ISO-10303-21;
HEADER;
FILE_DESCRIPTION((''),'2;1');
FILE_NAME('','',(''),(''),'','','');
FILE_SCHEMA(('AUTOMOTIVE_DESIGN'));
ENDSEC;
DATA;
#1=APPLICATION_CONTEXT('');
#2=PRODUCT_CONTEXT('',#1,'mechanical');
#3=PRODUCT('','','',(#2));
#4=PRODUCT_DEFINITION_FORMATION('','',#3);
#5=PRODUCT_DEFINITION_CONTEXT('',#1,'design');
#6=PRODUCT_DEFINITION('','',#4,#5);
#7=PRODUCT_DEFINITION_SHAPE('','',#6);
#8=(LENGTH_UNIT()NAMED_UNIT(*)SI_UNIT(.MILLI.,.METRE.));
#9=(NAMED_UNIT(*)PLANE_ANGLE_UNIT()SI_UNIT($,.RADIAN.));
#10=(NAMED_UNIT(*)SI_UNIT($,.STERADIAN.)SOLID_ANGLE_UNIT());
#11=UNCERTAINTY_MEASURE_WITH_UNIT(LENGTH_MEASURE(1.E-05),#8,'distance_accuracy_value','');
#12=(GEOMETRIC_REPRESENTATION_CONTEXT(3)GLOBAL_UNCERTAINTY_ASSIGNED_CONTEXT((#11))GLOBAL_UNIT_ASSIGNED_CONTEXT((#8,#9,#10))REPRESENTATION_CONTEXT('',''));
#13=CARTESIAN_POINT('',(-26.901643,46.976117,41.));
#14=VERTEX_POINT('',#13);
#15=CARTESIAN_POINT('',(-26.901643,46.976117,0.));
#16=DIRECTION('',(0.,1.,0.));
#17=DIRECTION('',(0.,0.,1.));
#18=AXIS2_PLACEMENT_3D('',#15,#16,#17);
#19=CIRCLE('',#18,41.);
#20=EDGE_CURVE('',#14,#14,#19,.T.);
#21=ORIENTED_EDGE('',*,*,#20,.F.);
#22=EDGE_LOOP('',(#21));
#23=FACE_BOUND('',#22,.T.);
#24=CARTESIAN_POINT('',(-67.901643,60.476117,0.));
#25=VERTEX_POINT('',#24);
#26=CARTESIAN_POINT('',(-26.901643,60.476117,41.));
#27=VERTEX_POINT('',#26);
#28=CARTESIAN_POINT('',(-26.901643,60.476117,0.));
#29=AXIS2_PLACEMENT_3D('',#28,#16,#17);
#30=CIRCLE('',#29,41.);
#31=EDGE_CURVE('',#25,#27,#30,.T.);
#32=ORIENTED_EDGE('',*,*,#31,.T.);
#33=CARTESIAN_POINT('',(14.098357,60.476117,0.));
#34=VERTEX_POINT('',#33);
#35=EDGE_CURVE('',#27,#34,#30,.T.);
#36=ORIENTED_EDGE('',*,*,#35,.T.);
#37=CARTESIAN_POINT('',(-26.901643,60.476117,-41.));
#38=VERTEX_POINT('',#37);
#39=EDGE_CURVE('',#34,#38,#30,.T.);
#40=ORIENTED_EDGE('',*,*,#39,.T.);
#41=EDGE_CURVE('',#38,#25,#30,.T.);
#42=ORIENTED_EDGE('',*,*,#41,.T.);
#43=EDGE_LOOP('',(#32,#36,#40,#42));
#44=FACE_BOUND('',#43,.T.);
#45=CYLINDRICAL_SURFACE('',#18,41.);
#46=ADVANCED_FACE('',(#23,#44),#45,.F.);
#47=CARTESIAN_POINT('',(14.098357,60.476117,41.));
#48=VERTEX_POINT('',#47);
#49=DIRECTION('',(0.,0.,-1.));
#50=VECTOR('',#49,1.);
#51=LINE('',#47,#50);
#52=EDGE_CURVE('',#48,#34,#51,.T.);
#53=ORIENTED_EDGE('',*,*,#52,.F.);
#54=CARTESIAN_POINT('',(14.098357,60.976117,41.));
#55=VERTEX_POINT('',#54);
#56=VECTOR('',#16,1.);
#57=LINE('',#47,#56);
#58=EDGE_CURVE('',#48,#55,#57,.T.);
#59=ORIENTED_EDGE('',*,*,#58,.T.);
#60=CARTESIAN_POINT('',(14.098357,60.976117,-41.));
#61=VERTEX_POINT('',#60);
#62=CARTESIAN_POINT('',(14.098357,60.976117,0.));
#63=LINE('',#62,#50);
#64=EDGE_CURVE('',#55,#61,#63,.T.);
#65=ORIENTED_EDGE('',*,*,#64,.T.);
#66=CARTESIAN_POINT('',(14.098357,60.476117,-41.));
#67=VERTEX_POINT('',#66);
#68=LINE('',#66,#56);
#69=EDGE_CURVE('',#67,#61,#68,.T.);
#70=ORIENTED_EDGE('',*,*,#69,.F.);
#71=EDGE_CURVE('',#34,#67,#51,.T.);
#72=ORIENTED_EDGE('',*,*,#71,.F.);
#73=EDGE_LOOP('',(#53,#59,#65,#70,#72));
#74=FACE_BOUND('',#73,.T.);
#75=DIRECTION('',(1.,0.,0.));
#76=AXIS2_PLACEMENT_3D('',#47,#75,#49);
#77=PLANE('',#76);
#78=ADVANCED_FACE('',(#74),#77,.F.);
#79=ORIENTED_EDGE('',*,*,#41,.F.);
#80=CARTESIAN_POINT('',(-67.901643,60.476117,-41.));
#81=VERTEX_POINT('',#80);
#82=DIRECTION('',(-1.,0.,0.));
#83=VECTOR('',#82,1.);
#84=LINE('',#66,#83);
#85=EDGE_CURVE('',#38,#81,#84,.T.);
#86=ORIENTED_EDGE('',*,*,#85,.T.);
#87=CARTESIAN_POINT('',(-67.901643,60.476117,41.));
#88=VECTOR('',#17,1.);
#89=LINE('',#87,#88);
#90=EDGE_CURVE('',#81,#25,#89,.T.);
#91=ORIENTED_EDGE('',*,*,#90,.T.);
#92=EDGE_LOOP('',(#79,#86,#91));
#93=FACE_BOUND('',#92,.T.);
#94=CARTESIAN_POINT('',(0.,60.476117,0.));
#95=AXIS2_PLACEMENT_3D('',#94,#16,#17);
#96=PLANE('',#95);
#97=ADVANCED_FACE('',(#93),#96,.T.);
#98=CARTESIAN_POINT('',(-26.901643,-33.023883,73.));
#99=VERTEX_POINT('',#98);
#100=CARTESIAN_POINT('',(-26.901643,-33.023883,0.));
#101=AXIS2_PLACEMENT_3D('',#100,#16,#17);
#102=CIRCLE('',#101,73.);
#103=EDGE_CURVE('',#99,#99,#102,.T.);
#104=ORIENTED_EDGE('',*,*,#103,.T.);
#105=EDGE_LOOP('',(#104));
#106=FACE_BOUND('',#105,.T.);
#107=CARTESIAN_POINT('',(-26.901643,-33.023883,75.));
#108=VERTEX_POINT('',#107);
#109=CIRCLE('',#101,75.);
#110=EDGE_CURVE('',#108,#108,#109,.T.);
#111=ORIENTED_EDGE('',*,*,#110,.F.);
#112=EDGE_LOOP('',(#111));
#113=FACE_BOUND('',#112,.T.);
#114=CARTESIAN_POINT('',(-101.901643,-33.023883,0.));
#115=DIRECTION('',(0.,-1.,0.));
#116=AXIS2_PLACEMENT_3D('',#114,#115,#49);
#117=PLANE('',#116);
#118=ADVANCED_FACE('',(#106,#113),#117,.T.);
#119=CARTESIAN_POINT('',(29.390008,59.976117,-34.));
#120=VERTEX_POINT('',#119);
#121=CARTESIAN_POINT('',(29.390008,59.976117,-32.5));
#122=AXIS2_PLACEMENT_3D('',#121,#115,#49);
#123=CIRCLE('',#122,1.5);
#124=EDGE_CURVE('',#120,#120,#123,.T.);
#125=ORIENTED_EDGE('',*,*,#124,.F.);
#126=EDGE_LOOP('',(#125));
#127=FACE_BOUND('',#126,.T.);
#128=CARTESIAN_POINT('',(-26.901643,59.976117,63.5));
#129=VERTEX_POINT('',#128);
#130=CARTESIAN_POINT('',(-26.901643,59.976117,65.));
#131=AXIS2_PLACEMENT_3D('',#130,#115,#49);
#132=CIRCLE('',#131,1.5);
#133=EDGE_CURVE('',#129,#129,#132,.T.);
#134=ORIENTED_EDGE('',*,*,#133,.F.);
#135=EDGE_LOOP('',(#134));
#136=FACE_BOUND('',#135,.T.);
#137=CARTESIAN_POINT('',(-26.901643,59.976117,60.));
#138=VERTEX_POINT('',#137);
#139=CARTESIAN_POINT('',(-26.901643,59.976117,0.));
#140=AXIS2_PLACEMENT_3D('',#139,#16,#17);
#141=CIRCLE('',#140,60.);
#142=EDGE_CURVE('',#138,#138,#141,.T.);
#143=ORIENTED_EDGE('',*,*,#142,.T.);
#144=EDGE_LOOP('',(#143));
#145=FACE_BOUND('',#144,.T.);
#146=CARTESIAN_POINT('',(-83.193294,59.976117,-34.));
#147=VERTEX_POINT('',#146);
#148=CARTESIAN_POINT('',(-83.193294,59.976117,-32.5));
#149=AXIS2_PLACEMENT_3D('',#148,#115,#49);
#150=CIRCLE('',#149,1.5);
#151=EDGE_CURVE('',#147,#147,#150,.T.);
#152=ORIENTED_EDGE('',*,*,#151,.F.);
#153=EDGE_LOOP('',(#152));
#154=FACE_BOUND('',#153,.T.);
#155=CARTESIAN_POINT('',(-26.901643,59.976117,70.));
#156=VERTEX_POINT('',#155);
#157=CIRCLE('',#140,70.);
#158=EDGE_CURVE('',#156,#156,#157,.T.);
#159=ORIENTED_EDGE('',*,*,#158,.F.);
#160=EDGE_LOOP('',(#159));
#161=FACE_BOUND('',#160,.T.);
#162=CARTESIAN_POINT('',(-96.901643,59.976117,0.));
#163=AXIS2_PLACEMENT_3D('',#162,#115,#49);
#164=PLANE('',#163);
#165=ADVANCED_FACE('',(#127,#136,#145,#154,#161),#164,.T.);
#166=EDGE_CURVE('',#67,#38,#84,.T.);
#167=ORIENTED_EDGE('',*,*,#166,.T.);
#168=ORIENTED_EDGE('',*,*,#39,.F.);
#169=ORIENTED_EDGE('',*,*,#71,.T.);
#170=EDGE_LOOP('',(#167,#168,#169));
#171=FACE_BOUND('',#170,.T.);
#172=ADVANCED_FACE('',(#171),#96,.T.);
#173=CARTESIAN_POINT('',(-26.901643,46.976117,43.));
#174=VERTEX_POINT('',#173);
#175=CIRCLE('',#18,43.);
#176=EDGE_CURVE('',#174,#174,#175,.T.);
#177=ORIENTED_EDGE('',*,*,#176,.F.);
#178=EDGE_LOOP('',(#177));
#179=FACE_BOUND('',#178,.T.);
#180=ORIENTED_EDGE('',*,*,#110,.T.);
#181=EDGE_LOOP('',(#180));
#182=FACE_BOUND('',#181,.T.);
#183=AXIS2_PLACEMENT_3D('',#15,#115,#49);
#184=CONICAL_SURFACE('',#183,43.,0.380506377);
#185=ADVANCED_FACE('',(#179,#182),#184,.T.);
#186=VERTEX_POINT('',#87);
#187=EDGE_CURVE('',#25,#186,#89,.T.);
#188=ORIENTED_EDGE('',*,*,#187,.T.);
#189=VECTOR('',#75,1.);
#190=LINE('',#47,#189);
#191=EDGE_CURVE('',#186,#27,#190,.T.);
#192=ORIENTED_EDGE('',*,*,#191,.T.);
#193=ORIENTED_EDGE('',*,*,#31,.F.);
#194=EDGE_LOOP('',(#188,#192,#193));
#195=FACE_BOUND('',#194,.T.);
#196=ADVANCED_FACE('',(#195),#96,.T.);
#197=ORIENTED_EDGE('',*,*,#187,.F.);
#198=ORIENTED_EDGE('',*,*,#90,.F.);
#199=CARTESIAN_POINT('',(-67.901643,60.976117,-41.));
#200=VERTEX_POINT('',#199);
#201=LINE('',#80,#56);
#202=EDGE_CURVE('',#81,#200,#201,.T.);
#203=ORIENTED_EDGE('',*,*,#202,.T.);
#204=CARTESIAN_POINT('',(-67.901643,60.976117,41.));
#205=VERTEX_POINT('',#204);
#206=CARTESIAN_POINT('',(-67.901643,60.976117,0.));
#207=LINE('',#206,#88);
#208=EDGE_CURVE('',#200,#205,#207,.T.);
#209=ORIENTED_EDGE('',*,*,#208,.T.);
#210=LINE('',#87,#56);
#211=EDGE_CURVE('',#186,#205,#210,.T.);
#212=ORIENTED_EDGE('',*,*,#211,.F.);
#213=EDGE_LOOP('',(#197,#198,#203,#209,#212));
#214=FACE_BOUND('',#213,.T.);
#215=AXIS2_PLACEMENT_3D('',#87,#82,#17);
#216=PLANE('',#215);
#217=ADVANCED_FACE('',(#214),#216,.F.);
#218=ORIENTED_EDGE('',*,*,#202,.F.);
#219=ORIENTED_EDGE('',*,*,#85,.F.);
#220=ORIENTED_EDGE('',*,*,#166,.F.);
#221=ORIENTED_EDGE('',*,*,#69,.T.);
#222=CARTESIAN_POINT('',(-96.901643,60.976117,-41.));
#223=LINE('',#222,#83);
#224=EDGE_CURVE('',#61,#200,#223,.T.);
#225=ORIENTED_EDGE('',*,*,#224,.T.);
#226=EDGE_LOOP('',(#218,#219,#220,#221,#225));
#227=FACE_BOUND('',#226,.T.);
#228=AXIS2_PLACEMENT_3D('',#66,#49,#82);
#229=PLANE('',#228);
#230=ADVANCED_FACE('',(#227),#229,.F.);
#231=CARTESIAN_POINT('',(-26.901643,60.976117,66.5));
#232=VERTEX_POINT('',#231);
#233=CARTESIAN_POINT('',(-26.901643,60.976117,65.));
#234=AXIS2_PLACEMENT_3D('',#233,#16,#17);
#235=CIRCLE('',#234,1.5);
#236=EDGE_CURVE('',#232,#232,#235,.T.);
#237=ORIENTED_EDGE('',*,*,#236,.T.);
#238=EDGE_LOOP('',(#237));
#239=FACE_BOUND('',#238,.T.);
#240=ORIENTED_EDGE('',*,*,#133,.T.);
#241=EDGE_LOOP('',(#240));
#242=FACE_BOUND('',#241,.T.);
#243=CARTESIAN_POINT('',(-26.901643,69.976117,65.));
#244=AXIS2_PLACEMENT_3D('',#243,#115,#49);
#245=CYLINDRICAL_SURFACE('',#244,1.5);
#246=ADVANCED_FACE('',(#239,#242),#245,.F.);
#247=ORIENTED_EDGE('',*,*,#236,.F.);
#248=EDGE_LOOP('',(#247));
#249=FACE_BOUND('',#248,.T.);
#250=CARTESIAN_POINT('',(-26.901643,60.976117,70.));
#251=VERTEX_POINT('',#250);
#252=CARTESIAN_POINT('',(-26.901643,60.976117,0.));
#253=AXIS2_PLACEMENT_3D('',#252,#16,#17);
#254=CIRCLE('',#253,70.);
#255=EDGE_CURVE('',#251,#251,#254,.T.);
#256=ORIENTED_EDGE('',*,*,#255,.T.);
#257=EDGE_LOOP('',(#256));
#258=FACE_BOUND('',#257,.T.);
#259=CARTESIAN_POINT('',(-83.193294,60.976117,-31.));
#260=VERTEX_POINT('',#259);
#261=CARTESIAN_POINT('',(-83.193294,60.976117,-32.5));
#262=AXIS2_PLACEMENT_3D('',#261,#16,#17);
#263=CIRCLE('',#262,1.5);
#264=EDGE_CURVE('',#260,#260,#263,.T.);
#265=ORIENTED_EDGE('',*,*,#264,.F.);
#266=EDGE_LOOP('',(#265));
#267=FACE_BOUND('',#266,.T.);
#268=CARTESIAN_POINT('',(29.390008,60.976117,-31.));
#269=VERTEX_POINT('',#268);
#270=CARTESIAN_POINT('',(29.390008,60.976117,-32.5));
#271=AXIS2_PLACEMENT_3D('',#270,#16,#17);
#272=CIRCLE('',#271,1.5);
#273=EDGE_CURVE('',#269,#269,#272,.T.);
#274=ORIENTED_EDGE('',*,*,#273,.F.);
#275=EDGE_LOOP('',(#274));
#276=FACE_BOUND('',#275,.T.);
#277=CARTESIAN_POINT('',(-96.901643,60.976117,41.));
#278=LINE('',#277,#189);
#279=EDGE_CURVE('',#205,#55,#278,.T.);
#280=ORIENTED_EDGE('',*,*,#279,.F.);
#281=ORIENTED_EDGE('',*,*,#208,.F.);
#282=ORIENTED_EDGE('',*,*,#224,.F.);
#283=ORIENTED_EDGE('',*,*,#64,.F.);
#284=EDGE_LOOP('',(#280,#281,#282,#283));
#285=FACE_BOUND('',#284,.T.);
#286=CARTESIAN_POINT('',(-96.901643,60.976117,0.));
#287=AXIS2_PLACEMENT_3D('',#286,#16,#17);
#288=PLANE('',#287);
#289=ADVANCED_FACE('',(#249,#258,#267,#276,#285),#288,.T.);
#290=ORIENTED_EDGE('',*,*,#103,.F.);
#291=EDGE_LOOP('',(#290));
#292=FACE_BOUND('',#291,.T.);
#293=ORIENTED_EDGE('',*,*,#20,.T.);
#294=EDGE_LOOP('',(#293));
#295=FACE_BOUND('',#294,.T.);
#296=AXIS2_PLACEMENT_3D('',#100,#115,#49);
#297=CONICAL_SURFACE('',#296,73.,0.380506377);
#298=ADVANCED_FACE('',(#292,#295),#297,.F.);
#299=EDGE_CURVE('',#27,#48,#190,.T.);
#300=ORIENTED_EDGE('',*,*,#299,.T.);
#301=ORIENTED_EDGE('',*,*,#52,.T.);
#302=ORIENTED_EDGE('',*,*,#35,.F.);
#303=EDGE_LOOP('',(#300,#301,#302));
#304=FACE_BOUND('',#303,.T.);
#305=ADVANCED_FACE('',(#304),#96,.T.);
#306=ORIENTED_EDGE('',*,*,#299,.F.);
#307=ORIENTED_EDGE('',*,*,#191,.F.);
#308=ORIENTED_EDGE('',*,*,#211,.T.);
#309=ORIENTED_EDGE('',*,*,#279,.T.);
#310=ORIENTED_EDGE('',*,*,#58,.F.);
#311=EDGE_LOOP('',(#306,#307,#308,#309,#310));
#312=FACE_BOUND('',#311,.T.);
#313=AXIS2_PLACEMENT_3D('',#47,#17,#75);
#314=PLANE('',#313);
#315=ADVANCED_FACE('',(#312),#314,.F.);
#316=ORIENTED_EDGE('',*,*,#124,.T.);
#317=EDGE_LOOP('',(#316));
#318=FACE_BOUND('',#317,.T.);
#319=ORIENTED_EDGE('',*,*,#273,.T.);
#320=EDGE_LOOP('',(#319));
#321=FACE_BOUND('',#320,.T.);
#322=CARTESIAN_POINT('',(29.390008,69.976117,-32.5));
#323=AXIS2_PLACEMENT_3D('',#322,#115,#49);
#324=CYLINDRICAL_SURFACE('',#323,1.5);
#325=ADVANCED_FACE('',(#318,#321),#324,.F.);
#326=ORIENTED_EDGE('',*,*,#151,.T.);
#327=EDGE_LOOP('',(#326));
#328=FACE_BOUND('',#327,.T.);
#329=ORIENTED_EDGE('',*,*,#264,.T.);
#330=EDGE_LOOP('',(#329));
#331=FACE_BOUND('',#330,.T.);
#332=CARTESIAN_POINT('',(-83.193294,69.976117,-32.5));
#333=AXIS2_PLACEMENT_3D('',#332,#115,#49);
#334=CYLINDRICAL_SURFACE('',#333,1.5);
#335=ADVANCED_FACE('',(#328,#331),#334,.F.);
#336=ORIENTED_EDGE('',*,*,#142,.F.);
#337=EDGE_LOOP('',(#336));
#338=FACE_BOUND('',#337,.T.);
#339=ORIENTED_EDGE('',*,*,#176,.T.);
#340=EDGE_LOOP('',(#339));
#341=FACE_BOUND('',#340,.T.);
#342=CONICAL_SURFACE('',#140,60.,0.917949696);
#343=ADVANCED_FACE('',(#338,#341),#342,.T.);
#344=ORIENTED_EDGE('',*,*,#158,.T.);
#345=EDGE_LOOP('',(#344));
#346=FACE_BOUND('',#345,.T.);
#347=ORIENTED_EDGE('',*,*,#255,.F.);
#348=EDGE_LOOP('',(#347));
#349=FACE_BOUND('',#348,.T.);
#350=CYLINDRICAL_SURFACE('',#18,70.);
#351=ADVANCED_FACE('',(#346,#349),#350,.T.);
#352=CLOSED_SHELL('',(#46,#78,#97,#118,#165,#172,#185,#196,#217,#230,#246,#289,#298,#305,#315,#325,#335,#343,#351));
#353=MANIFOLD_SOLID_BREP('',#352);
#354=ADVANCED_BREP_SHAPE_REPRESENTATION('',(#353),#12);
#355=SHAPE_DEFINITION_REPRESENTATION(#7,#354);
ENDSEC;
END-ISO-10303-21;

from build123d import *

# Parameters (mm, degrees)
CROQUIS6_R            = 1.5
CORTAR_EXTRUIR9_DEPTH = 10
CROQUIS2_W            = 82
CROQUIS2_H            = 82
CORTAR_EXTRUIR1_DEPTH = 11.5
CROQUIS4_W            = 14
CROQUIS4_H            = 8.5
CORTAR_EXTRUIR2_DEPTH = 10.5


with BuildPart() as part:
    # Croquis1 → Revolución1 (revolve)
    with BuildSketch(Plane.XY):
        Polygon((-67.901642817, 46.97611702), (-67.901642817, 60.97611702), (-96.901642817, 60.97611702), (-96.901642817, 59.97611702), (-86.901642817, 59.97611702), (-69.901642817, 46.97611702), (-101.901642817, -33.02388298), (-99.901642817, -33.02388298), align=None)
    revolve(axis=Axis((-26.901642817, 46.97611702, 0), (0, -1, 0)))

    # Croquis6 → Cortar-Extruir9 (cut)
    with BuildSketch(Plane.XZ.offset(-59.97611702)):
        with Locations((-26.901642817, 65)):
            Circle(CROQUIS6_R)
        with Locations((29.390008429, -32.5)):
            Circle(CROQUIS6_R)
        with Locations((-83.193294063, -32.5)):
            Circle(CROQUIS6_R)
    extrude(amount=-CORTAR_EXTRUIR9_DEPTH, mode=Mode.SUBTRACT)

    # Croquis2 → Cortar-Extruir1 (cut)
    with BuildSketch(Plane(origin=(0, 71.97611702, 0), x_dir=(1, 0, 0), z_dir=(0, 1, 0))):
        with Locations((-26.901642817, 0)):
            Rectangle(CROQUIS2_W, CROQUIS2_H)
    extrude(amount=-CORTAR_EXTRUIR1_DEPTH, mode=Mode.SUBTRACT)

    # Croquis4 → Cortar-Extruir2 (cut)
    with BuildSketch(Plane.ZY.offset(-25.098357183)):
        with Locations((0, 77.22611702)):
            Rectangle(CROQUIS4_W, CROQUIS4_H)
    extrude(amount=-CORTAR_EXTRUIR2_DEPTH, mode=Mode.SUBTRACT)


solid = part.part
